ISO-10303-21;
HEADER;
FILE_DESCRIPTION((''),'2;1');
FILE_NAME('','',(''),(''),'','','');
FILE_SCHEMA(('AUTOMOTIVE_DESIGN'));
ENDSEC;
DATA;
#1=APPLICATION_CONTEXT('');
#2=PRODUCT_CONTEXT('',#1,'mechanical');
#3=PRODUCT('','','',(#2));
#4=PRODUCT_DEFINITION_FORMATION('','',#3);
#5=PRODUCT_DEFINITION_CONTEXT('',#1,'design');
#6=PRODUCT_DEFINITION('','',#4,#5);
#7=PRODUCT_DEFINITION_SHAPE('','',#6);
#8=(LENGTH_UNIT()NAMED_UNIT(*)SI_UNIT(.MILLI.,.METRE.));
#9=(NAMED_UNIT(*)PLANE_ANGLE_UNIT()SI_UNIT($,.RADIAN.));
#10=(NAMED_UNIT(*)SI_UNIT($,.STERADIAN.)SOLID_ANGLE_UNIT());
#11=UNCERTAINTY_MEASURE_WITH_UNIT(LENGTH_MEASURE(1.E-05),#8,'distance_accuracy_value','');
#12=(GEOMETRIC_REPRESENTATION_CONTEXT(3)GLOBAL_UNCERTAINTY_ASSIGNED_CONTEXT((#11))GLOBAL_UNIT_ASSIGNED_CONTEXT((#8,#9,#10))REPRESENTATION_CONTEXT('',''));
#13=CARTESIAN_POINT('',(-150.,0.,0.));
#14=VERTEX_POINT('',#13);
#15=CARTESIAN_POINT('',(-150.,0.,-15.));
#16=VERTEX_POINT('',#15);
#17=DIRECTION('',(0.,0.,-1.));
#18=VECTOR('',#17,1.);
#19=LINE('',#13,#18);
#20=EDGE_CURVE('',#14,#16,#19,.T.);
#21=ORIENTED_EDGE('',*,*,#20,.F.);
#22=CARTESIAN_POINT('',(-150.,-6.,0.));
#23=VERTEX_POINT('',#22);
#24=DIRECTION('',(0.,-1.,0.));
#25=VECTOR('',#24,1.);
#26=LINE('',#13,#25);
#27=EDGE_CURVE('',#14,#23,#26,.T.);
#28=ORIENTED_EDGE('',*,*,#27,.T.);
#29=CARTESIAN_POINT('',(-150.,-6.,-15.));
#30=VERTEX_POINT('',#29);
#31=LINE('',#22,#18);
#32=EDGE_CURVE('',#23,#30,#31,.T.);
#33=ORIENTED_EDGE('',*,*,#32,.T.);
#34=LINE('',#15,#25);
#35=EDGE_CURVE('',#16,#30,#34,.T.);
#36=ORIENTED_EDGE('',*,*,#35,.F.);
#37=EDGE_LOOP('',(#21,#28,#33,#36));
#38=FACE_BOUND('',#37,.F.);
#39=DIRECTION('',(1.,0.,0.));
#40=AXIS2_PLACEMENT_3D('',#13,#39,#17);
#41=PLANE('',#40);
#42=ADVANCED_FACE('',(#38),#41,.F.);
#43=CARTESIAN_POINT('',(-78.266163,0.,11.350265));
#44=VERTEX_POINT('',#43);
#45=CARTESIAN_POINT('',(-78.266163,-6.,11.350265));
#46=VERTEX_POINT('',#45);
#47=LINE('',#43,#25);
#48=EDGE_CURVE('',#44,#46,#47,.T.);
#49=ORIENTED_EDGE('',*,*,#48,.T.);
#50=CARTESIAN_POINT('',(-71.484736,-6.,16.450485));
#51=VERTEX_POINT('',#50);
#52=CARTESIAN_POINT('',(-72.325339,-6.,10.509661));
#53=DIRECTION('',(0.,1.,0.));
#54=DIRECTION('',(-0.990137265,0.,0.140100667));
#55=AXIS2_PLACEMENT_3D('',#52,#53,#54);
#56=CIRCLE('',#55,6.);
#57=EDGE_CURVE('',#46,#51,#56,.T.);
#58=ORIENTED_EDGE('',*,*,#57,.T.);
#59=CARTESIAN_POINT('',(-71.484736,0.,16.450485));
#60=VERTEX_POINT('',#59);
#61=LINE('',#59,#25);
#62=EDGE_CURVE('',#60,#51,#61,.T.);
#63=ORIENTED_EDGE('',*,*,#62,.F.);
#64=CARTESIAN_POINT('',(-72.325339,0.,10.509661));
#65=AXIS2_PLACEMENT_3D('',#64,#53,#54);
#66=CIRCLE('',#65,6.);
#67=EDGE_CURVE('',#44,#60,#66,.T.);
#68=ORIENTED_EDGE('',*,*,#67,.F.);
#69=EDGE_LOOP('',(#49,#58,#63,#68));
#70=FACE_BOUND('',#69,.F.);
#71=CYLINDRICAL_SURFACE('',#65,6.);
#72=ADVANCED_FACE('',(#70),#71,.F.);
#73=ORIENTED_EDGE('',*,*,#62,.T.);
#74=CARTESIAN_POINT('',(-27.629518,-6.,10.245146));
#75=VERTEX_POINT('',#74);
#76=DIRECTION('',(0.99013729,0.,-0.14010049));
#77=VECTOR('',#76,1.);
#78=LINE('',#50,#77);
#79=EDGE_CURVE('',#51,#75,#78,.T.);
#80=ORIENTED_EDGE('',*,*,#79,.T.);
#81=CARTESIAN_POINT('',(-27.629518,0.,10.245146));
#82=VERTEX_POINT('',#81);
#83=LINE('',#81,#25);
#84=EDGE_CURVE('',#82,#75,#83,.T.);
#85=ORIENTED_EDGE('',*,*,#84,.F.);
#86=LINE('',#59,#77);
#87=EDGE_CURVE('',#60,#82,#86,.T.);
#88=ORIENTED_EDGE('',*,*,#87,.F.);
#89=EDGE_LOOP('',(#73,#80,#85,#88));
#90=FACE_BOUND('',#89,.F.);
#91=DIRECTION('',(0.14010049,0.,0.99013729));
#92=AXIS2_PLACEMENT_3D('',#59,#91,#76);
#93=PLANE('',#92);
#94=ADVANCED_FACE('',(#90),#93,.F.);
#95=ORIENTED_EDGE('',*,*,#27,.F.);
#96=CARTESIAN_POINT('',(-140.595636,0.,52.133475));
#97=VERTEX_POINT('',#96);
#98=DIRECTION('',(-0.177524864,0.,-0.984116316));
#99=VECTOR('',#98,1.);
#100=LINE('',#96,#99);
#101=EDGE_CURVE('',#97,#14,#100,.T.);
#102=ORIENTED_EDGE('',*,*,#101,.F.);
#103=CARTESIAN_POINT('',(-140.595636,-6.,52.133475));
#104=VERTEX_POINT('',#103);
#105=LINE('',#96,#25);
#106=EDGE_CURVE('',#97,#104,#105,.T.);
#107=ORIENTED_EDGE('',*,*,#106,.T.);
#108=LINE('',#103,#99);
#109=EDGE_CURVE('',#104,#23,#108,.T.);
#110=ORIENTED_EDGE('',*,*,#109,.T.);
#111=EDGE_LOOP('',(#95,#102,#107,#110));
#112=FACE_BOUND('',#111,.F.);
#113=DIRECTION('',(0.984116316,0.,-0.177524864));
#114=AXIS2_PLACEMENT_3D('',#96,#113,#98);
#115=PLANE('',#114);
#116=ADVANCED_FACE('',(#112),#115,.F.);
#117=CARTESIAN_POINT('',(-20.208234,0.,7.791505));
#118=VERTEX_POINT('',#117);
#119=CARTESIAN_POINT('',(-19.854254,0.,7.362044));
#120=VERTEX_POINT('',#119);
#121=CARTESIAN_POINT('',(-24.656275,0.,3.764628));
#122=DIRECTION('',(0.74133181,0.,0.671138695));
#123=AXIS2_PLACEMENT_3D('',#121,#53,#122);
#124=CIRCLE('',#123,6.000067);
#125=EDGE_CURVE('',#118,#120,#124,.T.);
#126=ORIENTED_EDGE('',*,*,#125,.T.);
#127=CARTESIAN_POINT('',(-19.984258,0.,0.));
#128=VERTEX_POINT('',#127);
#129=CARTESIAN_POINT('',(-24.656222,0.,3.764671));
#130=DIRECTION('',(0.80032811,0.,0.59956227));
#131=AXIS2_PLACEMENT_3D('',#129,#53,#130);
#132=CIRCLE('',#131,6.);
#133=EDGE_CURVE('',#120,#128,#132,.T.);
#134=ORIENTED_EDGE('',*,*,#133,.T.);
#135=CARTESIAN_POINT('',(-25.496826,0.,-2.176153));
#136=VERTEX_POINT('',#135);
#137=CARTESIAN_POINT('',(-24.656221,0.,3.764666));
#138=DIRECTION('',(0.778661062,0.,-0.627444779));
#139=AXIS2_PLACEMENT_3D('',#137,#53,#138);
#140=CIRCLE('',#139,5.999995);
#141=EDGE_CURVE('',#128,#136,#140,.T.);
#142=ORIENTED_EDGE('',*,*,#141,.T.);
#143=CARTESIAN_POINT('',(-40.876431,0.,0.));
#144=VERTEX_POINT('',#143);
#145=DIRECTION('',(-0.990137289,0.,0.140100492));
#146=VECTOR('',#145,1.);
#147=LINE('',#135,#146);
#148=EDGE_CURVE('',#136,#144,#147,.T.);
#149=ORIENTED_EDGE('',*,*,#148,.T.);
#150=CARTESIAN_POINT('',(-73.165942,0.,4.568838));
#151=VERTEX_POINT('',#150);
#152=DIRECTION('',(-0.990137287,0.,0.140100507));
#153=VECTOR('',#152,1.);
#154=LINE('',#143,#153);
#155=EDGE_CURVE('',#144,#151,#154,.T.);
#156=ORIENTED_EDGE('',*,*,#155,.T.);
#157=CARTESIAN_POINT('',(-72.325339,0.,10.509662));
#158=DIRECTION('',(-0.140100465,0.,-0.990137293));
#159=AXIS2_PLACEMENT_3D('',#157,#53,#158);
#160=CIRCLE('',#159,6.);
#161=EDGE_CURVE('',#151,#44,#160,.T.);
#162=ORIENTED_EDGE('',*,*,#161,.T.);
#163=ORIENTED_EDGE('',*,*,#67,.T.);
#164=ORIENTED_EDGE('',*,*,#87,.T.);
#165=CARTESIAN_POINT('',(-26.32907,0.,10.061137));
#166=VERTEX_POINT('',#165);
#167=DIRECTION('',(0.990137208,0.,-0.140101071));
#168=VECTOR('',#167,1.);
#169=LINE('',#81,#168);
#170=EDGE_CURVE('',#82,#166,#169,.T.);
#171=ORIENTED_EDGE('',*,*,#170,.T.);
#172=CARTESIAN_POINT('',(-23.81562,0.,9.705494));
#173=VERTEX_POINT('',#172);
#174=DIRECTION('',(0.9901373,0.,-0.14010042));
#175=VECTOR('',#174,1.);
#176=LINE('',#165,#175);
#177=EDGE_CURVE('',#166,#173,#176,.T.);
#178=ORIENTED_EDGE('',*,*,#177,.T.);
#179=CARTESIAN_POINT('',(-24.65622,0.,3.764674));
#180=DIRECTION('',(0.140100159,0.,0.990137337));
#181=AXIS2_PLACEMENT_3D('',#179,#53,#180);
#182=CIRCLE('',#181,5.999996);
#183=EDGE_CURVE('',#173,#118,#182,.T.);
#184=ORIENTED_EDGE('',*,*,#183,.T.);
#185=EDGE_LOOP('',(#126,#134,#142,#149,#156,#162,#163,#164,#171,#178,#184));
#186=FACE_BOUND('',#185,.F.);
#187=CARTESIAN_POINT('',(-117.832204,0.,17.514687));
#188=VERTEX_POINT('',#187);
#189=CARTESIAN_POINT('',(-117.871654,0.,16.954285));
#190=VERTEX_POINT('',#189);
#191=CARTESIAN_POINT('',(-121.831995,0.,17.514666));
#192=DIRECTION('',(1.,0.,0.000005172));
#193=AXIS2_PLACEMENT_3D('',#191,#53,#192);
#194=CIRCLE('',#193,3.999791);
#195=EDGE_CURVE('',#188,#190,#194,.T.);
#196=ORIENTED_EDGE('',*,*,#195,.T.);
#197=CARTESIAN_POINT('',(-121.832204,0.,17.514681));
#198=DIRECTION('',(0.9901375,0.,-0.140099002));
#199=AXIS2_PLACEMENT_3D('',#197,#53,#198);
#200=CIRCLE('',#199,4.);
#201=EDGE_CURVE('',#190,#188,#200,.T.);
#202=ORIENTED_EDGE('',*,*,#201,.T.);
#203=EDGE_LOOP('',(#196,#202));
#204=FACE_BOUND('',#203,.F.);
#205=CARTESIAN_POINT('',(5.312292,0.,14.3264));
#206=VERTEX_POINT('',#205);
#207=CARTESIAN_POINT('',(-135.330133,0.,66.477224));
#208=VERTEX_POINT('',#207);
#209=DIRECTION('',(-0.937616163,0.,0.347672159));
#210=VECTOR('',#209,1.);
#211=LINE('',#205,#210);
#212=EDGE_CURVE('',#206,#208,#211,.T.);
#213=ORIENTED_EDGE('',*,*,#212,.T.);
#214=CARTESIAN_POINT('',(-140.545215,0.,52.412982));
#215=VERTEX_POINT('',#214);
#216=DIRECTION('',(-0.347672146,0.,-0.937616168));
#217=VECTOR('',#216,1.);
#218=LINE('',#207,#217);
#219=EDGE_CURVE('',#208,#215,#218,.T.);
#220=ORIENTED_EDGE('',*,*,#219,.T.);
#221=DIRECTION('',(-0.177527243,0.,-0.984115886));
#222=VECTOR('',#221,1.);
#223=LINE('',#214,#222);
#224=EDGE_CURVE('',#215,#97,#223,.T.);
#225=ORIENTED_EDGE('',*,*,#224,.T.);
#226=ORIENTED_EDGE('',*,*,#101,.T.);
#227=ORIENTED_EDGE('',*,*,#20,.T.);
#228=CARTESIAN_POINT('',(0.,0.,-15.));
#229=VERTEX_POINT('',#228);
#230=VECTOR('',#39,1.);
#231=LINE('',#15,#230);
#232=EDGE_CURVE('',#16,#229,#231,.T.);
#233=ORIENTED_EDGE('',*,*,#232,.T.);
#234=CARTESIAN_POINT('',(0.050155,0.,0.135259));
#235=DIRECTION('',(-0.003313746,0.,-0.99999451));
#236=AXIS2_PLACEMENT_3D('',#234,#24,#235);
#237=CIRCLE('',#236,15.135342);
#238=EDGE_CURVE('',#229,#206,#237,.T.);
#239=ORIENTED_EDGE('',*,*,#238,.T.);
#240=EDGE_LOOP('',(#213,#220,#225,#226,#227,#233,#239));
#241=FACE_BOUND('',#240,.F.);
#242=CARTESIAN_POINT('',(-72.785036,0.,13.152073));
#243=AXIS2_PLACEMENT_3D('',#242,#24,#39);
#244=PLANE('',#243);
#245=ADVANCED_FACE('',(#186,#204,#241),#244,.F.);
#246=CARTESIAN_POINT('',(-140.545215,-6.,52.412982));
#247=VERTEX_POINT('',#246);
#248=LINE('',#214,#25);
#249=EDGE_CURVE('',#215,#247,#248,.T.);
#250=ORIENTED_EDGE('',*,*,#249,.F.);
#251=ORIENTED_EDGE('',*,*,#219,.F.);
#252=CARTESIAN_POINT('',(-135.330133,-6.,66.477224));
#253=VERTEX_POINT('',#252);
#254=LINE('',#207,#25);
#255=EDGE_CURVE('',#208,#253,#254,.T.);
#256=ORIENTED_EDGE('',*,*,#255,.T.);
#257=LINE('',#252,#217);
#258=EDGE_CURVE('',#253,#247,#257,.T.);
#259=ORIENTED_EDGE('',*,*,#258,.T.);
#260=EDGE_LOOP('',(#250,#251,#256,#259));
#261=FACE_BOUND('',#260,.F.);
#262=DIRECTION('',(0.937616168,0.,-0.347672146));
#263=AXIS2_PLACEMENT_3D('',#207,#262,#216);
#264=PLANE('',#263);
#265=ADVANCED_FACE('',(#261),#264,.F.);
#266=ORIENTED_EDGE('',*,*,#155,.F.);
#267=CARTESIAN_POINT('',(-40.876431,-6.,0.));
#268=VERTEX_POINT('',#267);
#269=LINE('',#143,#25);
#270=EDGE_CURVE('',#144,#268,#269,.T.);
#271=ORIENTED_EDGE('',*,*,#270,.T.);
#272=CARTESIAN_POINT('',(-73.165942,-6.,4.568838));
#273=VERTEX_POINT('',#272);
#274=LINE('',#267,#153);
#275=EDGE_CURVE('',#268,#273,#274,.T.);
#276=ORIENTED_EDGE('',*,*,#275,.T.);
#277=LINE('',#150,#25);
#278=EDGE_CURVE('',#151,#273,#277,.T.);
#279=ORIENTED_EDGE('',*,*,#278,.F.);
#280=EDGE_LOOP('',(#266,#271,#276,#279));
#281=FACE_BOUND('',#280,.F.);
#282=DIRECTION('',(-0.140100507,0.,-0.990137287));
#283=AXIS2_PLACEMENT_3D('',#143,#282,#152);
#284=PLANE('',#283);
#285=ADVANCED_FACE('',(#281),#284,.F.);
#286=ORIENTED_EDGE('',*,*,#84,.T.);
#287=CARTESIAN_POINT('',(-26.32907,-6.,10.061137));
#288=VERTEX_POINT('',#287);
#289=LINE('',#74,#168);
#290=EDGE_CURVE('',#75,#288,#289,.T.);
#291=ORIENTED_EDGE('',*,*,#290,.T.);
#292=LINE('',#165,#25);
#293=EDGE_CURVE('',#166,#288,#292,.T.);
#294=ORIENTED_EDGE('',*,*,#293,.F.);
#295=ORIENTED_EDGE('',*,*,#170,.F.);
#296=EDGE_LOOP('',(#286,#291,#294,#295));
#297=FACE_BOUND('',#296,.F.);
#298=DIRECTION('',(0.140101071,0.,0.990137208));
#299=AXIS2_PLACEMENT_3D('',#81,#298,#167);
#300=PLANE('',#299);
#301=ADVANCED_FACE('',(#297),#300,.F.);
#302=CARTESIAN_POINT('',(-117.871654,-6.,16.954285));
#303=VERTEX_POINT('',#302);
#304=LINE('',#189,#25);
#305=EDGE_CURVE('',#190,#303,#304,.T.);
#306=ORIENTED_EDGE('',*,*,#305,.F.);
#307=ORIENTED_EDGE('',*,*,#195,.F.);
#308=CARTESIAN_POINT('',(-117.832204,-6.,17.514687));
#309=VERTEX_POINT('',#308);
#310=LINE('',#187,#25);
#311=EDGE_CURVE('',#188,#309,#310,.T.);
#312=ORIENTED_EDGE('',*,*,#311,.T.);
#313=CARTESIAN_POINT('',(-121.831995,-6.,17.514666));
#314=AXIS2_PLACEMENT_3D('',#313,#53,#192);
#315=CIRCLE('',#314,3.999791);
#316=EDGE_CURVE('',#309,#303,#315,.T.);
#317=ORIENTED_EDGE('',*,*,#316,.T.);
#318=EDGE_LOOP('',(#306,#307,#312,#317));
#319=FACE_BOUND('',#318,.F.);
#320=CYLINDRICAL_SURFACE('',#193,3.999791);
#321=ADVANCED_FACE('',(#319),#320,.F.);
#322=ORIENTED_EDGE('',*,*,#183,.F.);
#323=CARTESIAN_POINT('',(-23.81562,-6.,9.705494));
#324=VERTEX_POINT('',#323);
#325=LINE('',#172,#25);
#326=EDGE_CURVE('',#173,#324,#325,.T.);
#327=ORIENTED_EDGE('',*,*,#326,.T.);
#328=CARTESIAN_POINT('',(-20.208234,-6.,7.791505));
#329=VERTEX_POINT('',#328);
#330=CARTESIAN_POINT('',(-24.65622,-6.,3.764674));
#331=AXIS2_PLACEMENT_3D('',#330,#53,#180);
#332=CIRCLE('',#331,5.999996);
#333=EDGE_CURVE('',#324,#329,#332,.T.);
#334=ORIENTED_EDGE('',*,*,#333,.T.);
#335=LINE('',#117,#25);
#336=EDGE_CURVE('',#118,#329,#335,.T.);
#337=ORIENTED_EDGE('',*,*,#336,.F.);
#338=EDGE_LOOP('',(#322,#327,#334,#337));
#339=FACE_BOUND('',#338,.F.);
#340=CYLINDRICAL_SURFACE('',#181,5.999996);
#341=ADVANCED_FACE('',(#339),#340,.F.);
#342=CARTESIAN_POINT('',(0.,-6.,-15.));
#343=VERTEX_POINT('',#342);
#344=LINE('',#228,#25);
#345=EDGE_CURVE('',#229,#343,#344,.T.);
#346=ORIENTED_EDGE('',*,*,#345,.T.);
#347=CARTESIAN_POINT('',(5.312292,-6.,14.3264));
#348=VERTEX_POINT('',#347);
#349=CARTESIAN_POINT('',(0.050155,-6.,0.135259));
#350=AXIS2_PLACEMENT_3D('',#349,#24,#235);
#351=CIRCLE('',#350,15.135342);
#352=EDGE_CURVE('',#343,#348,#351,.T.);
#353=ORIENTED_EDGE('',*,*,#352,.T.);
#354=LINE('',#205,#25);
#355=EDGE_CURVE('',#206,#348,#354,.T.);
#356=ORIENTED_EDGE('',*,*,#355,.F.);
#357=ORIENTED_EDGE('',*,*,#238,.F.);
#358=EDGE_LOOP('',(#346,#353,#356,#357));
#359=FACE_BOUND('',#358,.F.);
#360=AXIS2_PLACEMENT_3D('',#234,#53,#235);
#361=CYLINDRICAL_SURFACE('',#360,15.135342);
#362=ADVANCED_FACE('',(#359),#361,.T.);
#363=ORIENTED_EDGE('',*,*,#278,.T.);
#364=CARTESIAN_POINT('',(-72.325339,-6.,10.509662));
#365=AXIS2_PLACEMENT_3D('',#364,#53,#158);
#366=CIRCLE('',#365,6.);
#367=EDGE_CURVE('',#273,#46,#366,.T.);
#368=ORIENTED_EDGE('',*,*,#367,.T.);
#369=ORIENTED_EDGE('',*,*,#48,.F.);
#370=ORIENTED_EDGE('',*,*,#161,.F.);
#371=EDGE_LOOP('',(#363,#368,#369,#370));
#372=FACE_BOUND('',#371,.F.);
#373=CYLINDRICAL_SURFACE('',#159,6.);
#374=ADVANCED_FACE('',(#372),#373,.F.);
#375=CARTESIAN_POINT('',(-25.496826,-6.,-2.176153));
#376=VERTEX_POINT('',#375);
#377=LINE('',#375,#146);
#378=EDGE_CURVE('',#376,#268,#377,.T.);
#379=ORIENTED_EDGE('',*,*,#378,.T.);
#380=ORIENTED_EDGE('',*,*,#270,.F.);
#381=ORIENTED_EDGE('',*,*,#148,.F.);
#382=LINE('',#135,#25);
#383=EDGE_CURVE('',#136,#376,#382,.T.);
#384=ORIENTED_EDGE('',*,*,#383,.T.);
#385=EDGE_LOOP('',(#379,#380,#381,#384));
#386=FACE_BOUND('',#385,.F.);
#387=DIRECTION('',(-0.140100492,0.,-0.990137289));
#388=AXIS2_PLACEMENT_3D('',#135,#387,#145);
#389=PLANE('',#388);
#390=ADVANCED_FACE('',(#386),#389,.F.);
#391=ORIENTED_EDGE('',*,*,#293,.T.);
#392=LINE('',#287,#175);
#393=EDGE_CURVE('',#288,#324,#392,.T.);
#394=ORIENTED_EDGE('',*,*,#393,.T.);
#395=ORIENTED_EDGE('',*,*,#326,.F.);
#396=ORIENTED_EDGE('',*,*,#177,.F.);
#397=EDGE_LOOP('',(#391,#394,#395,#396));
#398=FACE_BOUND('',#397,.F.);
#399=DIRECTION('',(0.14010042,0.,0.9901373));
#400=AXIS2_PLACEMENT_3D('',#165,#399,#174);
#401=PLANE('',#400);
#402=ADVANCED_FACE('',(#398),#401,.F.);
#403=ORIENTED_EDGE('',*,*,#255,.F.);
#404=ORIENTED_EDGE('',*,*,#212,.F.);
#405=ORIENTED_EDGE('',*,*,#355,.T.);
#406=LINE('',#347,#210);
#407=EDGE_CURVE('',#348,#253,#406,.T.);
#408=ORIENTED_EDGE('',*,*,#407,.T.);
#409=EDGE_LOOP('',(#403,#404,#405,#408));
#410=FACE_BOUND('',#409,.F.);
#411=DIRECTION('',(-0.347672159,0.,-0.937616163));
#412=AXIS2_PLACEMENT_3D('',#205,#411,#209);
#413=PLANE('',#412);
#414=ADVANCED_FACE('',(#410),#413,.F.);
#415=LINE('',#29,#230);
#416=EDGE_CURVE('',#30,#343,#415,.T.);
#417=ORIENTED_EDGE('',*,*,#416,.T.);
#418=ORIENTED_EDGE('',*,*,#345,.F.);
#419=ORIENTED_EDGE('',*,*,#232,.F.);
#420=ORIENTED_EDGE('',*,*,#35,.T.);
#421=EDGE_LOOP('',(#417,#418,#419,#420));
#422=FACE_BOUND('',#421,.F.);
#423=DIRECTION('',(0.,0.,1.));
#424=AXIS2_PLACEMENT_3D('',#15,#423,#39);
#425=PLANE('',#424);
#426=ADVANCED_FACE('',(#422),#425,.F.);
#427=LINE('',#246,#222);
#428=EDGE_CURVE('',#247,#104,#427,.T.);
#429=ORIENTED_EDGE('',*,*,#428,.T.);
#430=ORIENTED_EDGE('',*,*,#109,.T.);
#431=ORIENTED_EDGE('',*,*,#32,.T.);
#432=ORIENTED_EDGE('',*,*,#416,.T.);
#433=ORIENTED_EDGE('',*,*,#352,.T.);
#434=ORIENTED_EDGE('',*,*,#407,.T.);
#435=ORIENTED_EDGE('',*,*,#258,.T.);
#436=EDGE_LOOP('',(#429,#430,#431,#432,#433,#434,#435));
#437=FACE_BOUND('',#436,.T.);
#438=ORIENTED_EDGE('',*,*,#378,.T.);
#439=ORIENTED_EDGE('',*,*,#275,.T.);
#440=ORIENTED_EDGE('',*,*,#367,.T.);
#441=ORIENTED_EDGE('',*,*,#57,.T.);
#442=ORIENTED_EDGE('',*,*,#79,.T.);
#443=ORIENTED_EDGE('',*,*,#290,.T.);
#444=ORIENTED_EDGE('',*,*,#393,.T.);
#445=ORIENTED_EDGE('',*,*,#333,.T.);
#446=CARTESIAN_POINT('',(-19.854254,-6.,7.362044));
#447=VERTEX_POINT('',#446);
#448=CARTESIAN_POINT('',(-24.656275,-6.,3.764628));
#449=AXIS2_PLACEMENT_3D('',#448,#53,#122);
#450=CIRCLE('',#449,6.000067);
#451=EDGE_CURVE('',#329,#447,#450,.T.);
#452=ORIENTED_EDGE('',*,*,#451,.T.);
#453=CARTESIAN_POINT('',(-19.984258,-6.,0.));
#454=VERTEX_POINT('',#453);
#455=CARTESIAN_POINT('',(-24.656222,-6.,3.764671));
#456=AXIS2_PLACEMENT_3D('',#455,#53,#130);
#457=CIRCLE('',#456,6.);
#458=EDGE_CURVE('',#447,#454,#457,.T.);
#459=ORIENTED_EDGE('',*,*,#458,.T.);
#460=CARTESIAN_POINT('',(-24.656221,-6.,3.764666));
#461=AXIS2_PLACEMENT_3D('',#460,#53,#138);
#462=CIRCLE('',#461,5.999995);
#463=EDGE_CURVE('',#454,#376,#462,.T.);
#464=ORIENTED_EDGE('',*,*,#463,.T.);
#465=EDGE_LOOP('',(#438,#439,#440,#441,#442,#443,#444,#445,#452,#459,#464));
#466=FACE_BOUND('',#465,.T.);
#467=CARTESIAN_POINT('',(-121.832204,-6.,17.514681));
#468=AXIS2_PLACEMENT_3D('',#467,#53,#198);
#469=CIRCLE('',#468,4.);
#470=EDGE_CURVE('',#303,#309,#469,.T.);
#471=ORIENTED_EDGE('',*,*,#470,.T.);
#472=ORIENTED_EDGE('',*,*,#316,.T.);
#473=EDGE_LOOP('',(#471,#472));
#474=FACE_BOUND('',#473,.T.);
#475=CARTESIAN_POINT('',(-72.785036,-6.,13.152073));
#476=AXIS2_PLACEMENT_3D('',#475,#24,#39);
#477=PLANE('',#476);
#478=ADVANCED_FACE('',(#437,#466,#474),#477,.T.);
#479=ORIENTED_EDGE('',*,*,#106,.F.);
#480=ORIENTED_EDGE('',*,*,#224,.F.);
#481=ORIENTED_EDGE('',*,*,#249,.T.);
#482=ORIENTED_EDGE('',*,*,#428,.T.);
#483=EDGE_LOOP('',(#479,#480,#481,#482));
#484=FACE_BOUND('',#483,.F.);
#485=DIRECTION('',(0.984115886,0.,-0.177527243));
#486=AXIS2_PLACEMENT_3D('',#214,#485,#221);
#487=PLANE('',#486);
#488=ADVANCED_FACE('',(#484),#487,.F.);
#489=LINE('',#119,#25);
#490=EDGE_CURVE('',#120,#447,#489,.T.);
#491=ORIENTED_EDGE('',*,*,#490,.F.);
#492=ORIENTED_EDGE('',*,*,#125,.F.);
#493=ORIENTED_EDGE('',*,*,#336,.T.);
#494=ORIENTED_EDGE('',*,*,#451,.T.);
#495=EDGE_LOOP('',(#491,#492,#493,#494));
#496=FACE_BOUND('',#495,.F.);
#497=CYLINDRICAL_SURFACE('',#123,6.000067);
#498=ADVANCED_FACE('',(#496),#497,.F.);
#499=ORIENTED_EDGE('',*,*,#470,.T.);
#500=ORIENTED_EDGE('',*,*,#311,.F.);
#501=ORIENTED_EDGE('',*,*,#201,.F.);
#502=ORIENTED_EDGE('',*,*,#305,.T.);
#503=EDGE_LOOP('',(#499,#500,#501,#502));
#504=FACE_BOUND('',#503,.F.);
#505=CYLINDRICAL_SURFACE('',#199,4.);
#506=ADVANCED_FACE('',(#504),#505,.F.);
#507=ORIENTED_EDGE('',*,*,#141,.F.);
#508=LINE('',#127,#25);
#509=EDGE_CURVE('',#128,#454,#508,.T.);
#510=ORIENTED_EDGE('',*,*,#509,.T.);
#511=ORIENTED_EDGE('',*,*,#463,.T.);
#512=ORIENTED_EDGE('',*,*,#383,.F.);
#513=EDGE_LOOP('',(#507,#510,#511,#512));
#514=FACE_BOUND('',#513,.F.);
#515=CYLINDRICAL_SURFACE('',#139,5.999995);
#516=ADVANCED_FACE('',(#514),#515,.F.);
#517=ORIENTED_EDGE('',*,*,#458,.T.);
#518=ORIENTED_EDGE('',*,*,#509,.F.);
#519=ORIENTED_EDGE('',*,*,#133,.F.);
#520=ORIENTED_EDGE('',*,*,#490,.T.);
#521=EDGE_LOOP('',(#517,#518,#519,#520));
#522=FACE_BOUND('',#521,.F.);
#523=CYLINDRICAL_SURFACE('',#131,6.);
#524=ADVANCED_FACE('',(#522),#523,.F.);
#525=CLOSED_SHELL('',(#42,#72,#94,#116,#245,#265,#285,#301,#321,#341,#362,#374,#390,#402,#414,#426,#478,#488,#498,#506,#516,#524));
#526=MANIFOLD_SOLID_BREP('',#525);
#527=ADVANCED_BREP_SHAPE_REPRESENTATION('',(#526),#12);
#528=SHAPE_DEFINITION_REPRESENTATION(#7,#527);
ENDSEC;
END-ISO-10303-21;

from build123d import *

# Parameters (mm, degrees)
F1_DEPTH = 6


with BuildPart() as f1:
    # F0 (on Front) → F1 (new body)
    with BuildSketch(Plane.XZ):
        with BuildLine():
            ThreePointArc((-19.854254, 7.362044), (-18.657158, 3.658735), (-19.984258, 0))
            ThreePointArc((-19.984258, 0), (-22.453101, -1.816213), (-25.496826, -2.176153))
            Line((-25.496826, -2.176153), (-40.876431, 0))
            Line((-40.876431, 0), (-150, 0))
            Line((-150, 0), (-150, -15))
            Line((-150, -15), (0, -15))
            ThreePointArc((0, -15), (14.943127, -2.562509), (5.312292, 14.3264))
            Line((5.312292, 14.3264), (-135.330133, 66.477224))
            Line((-135.330133, 66.477224), (-140.545215, 52.412982))
            Line((-140.545215, 52.412982), (-26.32907, 10.061137))
            Line((-26.32907, 10.061137), (-23.81562, 9.705494))
            ThreePointArc((-23.81562, 9.705494), (-21.844081, 9.064846), (-20.208234, 7.791505))
            ThreePointArc((-20.208234, 7.791505), (-20.026262, 7.580881), (-19.854254, 7.362044))
        make_face()
        with BuildLine():
            ThreePointArc((-117.832204, 17.514687), (-125.822329, 17.795581), (-117.871654, 16.954285))
            ThreePointArc((-117.871654, 16.954285), (-117.842078, 17.233792), (-117.832204, 17.514687))
        make_face()
        with BuildLine():
            Line((-150, 0), (-40.876431, 0))
            Line((-40.876431, 0), (-73.165942, 4.568838))
            ThreePointArc((-73.165942, 4.568838), (-77.120532, 6.903261), (-78.266163, 11.350265))
            ThreePointArc((-78.266163, 11.350265), (-75.93174, 15.304854), (-71.484736, 16.450485))
            Line((-71.484736, 16.450485), (-27.629518, 10.245146))
            Line((-27.629518, 10.245146), (-140.595636, 52.133475))
            Line((-140.595636, 52.133475), (-150, 0))
        make_face()
        with BuildLine():
            ThreePointArc((-117.832204, 17.514687), (-117.842078, 17.233792), (-117.871654, 16.954285))
            ThreePointArc((-117.871654, 16.954285), (-125.822329, 17.795581), (-117.832204, 17.514687))
        make_face(mode=Mode.SUBTRACT)
        Polygon((-140.545215, 52.412982), (-140.595636, 52.133475), (-27.629518, 10.245146), (-26.32907, 10.061137), align=None)
    extrude(amount=F1_DEPTH)


solid = f1.part
